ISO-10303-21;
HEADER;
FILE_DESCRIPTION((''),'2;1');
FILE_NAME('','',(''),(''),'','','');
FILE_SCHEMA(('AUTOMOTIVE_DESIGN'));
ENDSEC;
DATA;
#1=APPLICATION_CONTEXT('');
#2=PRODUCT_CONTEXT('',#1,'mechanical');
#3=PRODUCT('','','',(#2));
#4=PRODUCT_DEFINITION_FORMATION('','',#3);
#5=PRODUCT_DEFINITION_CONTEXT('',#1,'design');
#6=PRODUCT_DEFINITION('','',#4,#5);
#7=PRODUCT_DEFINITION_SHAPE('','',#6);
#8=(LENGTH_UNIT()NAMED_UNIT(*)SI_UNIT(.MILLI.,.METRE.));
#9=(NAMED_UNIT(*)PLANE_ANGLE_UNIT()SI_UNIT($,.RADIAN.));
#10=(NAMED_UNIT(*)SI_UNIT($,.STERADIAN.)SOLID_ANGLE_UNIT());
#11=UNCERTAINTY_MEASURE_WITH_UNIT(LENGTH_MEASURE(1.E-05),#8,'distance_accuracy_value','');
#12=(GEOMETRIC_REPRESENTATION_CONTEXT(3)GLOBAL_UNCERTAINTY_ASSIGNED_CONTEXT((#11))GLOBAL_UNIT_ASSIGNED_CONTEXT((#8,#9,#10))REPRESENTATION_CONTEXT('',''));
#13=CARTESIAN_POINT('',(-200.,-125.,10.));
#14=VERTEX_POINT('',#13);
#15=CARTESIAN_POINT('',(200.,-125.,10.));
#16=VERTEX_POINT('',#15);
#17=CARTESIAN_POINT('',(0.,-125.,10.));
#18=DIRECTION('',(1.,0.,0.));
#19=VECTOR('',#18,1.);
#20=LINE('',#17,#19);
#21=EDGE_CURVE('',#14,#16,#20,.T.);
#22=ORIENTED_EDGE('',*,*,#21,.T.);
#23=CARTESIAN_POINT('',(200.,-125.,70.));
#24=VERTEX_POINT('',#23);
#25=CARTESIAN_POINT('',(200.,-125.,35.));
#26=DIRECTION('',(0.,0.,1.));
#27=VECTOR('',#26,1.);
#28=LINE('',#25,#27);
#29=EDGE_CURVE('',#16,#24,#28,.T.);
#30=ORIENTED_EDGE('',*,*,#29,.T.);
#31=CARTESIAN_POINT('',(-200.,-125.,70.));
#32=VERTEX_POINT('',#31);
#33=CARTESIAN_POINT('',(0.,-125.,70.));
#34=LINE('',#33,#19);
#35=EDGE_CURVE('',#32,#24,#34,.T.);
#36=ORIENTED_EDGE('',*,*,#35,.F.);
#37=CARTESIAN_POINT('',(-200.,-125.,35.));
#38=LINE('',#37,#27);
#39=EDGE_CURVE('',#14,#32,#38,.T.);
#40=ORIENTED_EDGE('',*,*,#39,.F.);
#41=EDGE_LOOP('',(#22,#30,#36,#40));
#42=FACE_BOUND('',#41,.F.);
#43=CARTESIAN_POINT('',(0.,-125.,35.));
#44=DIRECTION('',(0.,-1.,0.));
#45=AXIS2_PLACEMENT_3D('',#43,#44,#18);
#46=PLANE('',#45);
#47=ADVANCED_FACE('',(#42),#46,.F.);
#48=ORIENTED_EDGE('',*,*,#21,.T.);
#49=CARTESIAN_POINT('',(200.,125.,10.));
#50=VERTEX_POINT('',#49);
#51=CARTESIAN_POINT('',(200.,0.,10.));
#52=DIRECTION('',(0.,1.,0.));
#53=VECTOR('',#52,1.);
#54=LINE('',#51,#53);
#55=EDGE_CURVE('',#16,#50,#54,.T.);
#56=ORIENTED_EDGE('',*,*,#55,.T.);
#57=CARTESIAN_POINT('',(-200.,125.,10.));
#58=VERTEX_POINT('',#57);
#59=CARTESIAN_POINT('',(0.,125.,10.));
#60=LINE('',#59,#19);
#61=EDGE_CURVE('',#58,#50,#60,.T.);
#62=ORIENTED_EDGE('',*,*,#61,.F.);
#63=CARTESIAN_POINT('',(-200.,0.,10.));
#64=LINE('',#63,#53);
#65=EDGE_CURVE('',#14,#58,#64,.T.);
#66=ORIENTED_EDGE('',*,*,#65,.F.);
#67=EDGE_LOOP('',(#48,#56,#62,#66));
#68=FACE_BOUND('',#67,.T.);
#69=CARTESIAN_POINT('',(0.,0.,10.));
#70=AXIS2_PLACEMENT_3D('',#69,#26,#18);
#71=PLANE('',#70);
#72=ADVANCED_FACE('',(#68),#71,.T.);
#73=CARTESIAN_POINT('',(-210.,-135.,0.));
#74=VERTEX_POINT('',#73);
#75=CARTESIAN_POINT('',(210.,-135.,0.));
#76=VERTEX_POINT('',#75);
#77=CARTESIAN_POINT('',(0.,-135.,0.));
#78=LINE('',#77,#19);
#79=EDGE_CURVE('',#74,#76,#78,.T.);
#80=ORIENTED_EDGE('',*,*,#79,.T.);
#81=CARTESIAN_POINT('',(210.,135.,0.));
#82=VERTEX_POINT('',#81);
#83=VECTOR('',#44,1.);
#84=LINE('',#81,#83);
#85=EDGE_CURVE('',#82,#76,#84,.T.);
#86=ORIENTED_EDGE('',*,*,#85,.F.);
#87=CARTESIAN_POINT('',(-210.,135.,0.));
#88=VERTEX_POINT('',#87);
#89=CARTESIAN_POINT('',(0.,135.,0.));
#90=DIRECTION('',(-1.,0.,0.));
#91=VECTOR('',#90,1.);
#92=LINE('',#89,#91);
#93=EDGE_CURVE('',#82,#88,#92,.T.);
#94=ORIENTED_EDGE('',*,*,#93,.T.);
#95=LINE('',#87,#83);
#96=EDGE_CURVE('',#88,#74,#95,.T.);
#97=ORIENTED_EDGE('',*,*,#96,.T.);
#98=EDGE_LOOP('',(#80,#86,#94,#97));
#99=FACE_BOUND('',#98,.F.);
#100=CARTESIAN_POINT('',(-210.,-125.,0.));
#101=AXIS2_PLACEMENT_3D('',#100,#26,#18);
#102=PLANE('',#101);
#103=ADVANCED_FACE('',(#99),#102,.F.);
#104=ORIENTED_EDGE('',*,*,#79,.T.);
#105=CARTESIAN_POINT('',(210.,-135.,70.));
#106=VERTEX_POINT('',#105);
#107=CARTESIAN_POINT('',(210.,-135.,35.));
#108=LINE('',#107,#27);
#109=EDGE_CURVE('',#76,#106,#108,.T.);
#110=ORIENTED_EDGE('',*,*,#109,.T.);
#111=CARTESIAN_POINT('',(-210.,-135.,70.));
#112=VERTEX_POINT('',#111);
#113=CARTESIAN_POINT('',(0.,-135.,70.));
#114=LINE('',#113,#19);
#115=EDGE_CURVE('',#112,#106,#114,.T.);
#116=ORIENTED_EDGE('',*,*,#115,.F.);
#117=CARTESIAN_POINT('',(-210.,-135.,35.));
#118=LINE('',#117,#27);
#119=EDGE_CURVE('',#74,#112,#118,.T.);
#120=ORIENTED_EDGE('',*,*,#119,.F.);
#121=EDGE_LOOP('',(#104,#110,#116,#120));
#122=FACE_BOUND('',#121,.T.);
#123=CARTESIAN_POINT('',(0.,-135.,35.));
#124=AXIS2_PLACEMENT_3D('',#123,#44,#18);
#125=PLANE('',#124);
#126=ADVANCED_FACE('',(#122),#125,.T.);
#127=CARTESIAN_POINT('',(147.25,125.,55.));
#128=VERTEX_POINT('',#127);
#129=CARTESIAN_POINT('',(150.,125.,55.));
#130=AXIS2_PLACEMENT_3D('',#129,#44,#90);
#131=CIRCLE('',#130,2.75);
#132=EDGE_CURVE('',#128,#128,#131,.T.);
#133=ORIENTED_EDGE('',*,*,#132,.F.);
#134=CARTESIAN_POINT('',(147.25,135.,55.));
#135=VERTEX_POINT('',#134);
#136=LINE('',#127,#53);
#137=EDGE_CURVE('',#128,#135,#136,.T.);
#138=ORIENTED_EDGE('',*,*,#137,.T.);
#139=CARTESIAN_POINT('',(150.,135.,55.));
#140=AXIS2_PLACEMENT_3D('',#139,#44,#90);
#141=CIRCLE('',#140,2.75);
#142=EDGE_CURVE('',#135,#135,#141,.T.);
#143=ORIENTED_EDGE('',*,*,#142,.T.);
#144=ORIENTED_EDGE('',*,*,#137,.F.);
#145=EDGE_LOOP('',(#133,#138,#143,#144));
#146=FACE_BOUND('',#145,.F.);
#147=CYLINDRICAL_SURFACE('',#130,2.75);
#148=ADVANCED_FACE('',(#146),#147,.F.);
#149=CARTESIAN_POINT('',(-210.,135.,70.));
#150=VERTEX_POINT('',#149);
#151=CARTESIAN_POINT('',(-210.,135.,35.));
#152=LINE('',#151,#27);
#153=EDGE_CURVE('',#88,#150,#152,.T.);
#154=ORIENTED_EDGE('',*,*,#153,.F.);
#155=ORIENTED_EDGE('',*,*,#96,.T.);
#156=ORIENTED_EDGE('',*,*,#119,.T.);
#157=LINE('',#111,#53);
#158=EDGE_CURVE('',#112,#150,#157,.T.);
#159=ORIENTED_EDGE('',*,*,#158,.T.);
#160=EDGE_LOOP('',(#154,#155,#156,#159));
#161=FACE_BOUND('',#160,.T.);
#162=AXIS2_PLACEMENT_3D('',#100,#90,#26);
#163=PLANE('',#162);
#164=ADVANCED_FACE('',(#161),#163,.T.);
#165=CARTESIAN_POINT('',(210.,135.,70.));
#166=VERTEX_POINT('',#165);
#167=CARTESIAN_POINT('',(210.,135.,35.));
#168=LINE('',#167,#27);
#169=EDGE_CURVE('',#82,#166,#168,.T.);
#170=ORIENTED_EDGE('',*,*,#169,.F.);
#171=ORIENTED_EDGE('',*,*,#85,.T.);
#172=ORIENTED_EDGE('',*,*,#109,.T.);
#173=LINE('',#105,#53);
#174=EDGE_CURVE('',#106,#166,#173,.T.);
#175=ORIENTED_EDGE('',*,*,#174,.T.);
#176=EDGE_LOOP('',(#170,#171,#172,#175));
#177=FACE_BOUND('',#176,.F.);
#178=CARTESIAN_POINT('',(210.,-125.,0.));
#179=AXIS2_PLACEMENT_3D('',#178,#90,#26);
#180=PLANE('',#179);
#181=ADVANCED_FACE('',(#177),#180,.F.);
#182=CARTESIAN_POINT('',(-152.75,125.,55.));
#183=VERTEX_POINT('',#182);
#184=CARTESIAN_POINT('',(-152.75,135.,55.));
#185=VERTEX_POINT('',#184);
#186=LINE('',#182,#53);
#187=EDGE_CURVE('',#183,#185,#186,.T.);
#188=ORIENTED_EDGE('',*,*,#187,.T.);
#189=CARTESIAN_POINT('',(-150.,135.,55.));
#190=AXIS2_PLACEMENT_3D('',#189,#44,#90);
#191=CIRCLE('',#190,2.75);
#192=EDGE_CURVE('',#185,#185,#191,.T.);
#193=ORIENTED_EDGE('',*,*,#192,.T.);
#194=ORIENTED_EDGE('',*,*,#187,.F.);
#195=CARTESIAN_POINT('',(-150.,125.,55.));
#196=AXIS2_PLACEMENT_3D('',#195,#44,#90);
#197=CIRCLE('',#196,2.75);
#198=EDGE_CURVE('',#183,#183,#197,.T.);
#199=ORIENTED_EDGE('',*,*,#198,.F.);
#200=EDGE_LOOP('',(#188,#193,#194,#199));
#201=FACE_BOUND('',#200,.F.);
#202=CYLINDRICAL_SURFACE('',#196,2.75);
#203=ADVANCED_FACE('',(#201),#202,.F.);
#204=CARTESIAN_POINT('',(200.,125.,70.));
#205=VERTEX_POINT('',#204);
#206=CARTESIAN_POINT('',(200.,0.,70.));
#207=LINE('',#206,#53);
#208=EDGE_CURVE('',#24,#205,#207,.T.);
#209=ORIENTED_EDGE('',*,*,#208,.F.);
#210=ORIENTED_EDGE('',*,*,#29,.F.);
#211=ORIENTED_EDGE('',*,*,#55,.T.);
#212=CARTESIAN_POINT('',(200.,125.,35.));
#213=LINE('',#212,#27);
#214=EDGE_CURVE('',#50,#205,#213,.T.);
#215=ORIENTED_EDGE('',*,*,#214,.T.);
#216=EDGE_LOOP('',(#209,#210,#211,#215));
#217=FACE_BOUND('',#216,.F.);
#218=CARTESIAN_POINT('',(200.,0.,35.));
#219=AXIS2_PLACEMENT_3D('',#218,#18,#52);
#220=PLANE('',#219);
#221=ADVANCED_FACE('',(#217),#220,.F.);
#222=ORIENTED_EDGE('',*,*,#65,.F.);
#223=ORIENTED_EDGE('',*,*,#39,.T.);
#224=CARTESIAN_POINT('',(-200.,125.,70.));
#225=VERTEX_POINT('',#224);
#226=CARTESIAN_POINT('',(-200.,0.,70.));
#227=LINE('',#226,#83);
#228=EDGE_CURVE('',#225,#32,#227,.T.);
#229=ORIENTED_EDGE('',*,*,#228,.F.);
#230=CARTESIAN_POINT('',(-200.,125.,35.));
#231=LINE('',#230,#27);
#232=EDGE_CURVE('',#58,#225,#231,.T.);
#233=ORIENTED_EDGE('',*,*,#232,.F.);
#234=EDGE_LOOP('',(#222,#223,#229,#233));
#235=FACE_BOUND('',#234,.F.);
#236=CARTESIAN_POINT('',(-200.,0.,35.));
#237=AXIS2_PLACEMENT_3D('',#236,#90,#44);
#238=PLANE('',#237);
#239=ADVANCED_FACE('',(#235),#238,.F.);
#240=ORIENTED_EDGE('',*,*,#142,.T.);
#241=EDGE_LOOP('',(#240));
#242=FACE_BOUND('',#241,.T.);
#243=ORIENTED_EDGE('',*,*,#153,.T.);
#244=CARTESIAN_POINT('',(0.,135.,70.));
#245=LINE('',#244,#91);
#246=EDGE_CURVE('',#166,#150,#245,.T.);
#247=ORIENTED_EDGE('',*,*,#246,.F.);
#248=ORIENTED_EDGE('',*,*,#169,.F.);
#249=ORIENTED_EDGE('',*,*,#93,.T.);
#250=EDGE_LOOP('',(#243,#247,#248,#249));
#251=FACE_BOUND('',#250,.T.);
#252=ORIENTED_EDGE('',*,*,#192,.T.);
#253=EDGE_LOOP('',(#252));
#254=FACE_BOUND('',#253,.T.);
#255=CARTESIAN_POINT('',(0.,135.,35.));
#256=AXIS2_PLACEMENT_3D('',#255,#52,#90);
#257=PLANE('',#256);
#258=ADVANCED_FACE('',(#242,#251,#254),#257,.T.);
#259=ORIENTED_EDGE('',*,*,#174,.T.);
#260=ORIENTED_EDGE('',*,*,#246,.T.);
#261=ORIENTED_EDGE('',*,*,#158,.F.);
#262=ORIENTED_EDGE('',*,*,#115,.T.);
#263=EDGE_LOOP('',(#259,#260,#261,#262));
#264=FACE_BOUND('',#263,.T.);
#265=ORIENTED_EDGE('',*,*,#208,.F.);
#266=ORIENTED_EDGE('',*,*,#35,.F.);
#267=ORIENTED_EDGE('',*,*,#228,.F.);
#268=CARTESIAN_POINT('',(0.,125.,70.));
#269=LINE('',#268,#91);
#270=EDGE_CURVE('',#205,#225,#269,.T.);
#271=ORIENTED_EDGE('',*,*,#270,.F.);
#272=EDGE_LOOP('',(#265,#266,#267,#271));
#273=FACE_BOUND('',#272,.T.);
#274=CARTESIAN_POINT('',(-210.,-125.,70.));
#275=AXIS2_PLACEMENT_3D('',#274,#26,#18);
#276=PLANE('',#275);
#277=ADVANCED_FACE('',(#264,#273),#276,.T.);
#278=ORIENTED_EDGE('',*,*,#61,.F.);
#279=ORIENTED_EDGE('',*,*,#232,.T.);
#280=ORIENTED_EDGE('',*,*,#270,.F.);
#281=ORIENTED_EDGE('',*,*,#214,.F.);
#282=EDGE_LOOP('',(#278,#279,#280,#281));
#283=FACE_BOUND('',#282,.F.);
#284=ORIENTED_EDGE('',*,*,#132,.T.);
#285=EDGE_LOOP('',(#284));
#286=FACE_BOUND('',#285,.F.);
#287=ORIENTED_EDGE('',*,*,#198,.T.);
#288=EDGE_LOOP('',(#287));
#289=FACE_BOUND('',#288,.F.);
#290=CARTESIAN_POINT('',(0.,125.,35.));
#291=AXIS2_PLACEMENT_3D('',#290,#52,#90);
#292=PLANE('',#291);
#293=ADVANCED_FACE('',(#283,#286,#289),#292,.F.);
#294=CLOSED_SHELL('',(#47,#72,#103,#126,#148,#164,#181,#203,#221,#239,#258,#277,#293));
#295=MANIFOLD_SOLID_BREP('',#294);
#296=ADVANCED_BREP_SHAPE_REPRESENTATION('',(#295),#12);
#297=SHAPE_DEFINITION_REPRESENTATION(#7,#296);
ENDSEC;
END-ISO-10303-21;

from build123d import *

# Parameters (mm, degrees)
F0_W      = 400
F0_H      = 250
F1_DEPTH  = 10
F2_W      = 250
F2_H      = 70
F3_DEPTH  = 10
F4_W      = 420
F4_H      = 70
F5_DEPTH  = 10
F6_W      = 250
F6_H      = 70
F7_DEPTH  = 10
F8_W      = 420
F8_H      = 70
F9_DEPTH  = 10
F10_D     = 5.5
F10_DEPTH = 10.001
F11_D     = 5.5
F11_DEPTH = 10.001


with BuildPart() as f1:
    # F0 (on Top) → F1 (new body)
    with BuildSketch(Plane.XY):
        Rectangle(F0_W, F0_H)
    extrude(amount=F1_DEPTH)

    # F2 (on face) → F3 (join)
    with BuildSketch(Plane.YZ.offset(200)):
        with Locations((0, 35)):
            Rectangle(F2_W, F2_H)
    extrude(amount=F3_DEPTH)

    # F4 (on face) → F5 (join)
    with BuildSketch(Plane(origin=(0, 125, 0), x_dir=(-1, 0, 0), z_dir=(0, 1, 0))):
        with Locations((0, 35)):
            Rectangle(F4_W, F4_H)
    extrude(amount=F5_DEPTH)

    # F6 (on face) → F7 (join)
    with BuildSketch(Plane(origin=(-200, 0, 0), x_dir=(0, -1, 0), z_dir=(-1, 0, 0))):
        with Locations((0, 35)):
            Rectangle(F6_W, F6_H)
    extrude(amount=F7_DEPTH)

    # F8 (on face) → F9 (join)
    with BuildSketch(Plane.XZ.offset(125)):
        with Locations((0, 35)):
            Rectangle(F8_W, F8_H)
    extrude(amount=F9_DEPTH)

    # F10 (through all, one way)
    with BuildSketch(Plane(origin=(0, 125, 0), x_dir=(-1, 0, 0), z_dir=(0, -1, 0))):
        with Locations((-150, -55)):
            Circle(F10_D / 2)
    extrude(amount=-F10_DEPTH, mode=Mode.SUBTRACT)

    # F11 (through all, one way)
    with BuildSketch(Plane(origin=(0, 125, 0), x_dir=(-1, 0, 0), z_dir=(0, -1, 0))):
        with Locations((150, -55)):
            Circle(F11_D / 2)
    extrude(amount=-F11_DEPTH, mode=Mode.SUBTRACT)


solid = f1.part
